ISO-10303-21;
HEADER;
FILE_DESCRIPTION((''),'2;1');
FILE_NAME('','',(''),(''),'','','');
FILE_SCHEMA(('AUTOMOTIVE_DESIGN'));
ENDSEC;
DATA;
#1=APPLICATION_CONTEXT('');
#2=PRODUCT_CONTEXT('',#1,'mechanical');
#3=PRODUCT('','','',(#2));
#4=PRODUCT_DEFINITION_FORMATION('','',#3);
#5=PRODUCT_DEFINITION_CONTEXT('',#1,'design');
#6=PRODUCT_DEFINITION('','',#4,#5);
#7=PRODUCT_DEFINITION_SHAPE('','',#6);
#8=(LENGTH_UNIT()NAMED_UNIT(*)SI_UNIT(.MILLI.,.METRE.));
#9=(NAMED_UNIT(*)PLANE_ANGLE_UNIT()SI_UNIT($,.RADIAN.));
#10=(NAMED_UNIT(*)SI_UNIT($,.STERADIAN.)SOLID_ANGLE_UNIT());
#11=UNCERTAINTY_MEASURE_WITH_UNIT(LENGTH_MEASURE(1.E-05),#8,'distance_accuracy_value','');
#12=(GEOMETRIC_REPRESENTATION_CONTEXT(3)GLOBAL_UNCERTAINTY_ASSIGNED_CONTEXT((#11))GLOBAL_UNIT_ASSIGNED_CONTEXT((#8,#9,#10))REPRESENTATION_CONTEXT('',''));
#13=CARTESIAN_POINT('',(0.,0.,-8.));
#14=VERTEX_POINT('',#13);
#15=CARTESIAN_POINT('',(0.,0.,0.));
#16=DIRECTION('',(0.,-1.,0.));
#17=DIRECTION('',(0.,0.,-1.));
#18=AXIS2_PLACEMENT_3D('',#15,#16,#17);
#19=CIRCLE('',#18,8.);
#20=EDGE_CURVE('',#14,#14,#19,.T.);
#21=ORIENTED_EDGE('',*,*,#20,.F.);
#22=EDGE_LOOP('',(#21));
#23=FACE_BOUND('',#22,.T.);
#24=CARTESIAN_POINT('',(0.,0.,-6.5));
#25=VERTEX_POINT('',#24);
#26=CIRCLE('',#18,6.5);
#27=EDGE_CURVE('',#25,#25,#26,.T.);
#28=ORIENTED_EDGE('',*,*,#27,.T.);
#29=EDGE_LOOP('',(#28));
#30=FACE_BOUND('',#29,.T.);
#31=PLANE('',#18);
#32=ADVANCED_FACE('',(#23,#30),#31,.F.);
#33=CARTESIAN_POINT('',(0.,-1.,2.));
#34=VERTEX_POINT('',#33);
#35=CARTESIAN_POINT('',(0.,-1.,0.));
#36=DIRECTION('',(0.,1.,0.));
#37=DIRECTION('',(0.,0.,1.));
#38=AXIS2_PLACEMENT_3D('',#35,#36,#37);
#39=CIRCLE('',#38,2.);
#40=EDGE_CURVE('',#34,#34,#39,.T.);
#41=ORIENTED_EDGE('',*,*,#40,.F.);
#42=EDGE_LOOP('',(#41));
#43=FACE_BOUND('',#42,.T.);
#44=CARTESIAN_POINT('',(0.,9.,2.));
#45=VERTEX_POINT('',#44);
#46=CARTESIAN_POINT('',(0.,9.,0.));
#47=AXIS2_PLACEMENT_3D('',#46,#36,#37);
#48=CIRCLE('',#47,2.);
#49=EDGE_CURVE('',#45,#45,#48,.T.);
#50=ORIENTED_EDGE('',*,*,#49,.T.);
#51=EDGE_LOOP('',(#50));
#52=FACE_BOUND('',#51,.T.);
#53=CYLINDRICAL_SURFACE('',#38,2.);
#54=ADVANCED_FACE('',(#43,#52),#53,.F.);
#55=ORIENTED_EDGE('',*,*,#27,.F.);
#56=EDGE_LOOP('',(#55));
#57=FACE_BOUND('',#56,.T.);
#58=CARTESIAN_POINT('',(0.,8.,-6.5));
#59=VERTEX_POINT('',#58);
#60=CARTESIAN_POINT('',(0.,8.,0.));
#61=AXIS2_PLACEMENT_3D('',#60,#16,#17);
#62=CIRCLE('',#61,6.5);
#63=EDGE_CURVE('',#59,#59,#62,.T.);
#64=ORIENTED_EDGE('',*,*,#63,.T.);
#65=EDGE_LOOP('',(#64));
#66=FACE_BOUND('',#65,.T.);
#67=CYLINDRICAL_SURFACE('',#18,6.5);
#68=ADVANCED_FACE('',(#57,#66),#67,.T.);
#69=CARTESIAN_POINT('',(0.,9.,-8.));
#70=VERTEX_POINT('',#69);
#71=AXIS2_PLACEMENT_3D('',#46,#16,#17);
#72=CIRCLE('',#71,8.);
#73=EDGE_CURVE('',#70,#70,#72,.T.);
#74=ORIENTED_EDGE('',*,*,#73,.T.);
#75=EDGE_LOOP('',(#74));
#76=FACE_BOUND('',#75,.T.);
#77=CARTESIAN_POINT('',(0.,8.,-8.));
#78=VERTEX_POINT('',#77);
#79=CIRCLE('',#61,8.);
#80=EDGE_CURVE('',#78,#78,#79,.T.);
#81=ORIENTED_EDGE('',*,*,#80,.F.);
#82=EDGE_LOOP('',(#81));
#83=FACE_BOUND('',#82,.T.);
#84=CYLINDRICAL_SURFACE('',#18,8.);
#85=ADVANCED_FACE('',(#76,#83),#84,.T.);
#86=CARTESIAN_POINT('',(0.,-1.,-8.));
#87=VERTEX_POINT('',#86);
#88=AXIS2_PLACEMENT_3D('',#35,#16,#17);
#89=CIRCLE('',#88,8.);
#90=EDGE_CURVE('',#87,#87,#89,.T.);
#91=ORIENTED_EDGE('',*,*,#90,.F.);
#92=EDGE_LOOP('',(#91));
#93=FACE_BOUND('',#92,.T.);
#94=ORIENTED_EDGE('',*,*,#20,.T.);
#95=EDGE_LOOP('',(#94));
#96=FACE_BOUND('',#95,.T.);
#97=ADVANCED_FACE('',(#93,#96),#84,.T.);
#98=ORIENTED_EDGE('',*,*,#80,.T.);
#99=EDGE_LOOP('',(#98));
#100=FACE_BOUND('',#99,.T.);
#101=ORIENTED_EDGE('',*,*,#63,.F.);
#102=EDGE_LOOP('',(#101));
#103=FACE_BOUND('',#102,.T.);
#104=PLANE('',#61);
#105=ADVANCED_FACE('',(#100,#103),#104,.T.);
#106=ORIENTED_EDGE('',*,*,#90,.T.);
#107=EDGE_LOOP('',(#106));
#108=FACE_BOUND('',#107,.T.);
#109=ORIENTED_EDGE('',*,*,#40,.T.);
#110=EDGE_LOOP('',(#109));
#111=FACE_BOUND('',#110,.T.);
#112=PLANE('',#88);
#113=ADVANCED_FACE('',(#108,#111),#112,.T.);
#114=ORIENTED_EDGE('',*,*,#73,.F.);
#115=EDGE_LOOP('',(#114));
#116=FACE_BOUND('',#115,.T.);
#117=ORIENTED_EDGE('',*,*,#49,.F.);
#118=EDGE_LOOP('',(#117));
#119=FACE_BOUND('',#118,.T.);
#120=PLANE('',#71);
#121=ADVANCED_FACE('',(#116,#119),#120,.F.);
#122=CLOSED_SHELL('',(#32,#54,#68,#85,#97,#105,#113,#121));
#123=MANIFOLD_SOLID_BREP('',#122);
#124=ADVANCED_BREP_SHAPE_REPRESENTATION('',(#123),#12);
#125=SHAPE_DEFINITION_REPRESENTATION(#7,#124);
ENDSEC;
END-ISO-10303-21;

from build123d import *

# Parameters (mm, degrees)
SKETCH2_W          = 6.5
SKETCH2_H          = 8
SKETCH2_W_2        = 8
SKETCH2_H_2        = 1
SKETCH4_R          = 2
CUT_EXTRUDE1_DEPTH = 10


with BuildPart() as part:
    # Sketch2 → Revolve1 (revolve)
    with BuildSketch(Plane.XY, mode=Mode.PRIVATE) as revolve1_sk:
        Polygon((-6.5, 8), (0, 8), (0, 9), (-8, 9), (-8, 8), align=None)
        with Locations((-3.25, 4)):
            Rectangle(SKETCH2_W, SKETCH2_H)
        with Locations((-4, -0.5)):
            Rectangle(SKETCH2_W_2, SKETCH2_H_2)
    revolve(revolve1_sk.sketch.rotate(Axis((0, 0, 0), (0, 1, 0)), 270), axis=Axis((0, 0, 0), (0, 1, 0)))

    # Sketch4 → Cut-Extrude1 (cut)
    with BuildSketch(Plane(origin=(0, 9, 0), x_dir=(1, 0, 0), z_dir=(0, 1, 0))):
        with Locations(Location((0, 0, 0), (0, 0, 270))):
            Circle(SKETCH4_R)
    extrude(amount=-CUT_EXTRUDE1_DEPTH, mode=Mode.SUBTRACT)


solid = part.part
